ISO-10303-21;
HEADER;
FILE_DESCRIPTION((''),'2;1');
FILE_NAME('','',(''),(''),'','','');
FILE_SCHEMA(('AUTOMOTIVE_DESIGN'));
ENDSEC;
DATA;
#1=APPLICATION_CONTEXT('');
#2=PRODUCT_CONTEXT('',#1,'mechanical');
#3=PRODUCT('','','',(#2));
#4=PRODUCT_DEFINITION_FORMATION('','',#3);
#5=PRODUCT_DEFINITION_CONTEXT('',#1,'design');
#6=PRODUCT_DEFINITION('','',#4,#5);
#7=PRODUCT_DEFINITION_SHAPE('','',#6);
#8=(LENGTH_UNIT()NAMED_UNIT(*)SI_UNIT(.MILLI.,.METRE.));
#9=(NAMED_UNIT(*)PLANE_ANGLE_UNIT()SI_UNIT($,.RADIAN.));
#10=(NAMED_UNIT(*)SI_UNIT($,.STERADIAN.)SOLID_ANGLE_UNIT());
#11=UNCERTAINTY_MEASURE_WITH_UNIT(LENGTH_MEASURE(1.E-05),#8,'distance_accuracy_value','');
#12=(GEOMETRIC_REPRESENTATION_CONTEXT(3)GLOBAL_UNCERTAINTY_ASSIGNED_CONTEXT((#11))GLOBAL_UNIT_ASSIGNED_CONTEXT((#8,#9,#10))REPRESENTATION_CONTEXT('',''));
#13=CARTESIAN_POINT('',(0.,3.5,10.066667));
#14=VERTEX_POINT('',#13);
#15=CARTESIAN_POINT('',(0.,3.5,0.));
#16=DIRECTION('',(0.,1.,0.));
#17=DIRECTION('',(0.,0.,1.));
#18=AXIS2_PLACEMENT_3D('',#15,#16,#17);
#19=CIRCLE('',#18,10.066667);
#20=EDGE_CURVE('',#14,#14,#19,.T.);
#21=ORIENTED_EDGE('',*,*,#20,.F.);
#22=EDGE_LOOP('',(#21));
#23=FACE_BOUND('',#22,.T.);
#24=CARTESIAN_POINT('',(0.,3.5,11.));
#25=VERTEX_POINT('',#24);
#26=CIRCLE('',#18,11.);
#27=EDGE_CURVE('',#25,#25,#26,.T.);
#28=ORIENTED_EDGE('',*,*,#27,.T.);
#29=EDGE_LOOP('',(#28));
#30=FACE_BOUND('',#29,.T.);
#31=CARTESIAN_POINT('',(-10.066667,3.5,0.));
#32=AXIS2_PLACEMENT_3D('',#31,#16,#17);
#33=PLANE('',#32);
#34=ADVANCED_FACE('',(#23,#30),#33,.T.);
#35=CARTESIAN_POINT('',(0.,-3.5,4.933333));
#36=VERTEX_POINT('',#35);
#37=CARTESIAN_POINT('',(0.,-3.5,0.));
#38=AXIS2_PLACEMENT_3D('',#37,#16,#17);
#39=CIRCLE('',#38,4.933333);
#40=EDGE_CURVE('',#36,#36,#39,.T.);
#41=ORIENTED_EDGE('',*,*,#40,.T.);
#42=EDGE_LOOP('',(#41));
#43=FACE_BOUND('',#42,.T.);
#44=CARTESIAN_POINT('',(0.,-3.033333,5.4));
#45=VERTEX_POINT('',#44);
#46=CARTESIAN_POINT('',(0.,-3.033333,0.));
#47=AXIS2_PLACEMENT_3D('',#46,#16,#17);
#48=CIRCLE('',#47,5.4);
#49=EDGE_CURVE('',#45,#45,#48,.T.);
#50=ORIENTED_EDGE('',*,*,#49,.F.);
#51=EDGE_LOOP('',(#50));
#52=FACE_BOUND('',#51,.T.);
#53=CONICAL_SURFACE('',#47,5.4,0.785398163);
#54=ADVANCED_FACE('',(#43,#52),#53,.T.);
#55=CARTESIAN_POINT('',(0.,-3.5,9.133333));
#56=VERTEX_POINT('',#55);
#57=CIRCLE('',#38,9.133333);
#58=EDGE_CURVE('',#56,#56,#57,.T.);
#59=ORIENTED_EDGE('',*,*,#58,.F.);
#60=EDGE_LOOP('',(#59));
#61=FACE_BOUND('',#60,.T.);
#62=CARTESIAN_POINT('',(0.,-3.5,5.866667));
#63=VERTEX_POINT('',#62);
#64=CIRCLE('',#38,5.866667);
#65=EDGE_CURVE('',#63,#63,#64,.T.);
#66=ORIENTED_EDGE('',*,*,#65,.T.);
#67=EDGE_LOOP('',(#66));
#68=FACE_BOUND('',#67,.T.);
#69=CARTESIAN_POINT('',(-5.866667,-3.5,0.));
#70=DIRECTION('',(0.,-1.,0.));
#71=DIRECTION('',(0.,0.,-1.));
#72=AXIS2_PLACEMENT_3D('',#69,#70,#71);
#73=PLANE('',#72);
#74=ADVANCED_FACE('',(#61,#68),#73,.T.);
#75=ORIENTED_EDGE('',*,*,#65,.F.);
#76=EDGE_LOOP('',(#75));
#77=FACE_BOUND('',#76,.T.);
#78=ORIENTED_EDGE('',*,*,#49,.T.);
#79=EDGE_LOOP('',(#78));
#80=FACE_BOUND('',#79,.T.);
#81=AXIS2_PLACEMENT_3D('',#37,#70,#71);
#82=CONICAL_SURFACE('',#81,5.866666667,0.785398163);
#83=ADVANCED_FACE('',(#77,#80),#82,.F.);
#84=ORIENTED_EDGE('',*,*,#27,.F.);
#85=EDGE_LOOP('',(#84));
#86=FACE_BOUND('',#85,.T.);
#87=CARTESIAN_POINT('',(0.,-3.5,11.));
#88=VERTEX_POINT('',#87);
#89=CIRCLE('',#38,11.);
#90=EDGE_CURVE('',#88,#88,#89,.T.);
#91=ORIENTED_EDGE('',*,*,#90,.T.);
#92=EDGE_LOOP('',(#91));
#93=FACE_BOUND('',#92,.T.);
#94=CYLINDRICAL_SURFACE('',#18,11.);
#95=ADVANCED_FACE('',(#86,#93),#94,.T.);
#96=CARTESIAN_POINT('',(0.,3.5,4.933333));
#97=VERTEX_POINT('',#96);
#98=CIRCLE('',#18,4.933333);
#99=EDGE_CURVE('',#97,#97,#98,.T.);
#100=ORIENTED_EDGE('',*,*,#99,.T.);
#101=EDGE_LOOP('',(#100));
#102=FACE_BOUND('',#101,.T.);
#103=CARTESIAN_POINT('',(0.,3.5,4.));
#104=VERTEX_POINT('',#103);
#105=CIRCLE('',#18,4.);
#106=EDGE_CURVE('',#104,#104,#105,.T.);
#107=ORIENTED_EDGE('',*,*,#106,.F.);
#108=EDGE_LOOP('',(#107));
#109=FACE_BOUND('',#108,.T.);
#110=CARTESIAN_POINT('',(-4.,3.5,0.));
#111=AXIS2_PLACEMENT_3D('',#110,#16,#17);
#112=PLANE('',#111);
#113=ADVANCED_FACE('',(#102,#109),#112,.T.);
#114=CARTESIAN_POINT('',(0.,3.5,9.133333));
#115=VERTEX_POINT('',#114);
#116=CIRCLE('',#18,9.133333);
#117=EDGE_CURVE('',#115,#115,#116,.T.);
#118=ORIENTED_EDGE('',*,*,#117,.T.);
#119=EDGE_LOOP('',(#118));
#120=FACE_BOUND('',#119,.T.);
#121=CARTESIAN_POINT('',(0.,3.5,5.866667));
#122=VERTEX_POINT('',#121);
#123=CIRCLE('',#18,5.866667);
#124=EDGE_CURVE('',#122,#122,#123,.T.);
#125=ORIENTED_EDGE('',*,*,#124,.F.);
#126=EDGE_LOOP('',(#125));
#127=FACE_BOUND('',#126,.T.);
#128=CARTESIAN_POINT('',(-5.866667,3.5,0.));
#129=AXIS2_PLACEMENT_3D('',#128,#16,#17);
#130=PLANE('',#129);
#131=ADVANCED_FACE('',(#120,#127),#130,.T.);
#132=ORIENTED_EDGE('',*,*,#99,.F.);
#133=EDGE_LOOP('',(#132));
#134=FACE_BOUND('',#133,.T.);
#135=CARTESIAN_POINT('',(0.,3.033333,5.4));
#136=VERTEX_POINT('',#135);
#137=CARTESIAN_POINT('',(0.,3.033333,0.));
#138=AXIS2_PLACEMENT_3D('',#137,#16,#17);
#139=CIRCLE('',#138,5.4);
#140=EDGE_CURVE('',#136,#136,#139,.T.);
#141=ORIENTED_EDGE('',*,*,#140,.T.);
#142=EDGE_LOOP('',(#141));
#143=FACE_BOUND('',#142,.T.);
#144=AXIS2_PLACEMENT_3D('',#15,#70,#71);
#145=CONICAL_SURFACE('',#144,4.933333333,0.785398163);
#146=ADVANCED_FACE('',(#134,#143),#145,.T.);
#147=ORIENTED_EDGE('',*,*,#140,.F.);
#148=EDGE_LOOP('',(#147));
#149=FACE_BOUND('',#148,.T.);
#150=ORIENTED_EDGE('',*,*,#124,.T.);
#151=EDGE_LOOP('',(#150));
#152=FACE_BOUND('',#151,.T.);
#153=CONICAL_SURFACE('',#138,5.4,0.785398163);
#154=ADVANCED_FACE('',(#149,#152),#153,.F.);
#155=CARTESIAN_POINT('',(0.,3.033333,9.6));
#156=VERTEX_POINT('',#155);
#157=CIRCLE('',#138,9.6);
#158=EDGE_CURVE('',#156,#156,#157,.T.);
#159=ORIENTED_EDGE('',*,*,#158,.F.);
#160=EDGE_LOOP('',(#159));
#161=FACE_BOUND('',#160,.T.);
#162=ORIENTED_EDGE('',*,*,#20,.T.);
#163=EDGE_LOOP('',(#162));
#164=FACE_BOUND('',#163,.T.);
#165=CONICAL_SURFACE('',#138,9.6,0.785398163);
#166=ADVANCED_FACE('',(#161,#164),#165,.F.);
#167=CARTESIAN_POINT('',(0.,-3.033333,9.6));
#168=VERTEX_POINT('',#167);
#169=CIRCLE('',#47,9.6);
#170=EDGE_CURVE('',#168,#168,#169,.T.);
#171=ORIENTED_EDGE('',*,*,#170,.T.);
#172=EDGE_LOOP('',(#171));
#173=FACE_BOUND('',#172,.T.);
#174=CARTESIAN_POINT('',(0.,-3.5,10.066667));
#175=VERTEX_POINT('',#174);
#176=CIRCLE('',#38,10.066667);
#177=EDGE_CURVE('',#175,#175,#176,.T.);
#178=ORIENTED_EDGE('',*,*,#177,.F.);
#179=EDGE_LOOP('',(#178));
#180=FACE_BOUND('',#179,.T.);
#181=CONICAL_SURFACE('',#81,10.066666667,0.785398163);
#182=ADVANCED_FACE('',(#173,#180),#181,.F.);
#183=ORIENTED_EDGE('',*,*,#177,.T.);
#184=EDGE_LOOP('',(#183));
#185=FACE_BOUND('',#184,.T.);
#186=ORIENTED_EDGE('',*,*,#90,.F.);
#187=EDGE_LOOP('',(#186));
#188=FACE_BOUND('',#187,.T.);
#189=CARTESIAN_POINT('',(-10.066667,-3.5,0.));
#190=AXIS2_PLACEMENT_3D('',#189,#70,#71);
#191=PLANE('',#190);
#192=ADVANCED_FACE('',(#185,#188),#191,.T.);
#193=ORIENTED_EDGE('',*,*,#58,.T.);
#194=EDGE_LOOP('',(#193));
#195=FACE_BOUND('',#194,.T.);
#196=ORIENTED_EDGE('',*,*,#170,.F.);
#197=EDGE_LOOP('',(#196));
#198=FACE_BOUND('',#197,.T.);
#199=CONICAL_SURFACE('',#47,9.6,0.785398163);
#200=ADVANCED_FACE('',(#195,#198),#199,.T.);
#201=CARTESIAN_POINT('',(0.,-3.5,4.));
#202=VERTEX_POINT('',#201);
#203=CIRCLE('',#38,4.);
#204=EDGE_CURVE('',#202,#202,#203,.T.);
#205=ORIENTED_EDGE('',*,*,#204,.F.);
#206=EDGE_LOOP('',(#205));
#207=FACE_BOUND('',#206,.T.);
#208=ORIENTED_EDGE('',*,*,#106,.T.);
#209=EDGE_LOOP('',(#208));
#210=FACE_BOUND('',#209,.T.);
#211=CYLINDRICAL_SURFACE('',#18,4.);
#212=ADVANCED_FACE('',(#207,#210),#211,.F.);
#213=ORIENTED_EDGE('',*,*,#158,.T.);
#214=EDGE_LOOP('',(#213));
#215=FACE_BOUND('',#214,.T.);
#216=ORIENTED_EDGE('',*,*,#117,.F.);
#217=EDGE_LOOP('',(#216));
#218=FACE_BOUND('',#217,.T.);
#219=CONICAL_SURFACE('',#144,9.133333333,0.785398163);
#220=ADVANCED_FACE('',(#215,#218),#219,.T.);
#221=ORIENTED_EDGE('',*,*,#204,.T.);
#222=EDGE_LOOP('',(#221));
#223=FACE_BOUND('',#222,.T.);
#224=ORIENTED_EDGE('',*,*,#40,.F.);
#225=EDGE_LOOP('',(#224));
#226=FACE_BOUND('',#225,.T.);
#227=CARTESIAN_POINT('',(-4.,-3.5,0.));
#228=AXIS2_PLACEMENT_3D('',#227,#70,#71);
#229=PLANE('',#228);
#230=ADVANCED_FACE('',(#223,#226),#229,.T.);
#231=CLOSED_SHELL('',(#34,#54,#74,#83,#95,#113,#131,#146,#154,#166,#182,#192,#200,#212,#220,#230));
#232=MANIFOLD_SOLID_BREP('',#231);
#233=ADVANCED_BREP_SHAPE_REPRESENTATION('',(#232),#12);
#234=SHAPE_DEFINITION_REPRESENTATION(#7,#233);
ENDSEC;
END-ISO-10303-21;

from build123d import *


with BuildPart() as part:
    # Sketch1 → Revolve1 (revolve)
    with BuildSketch(Plane.XY, mode=Mode.PRIVATE) as revolve1_sk:
        Polygon((-4, 3.5), (-4.933333333, 3.5), (-5.4, 3.033333333), (-5.866666667, 3.5), (-9.133333333, 3.5), (-9.6, 3.033333333), (-10.066666667, 3.5), (-11, 3.5), (-11, -3.5), (-10.066666667, -3.5), (-9.6, -3.033333333), (-9.133333333, -3.5), (-5.866666667, -3.5), (-5.4, -3.033333333), (-4.933333333, -3.5), (-4, -3.5), align=None)
    revolve(revolve1_sk.sketch.rotate(Axis((0, 3.5, 0), (0, -1, 0)), 270), axis=Axis((0, 3.5, 0), (0, -1, 0)))


solid = part.part
